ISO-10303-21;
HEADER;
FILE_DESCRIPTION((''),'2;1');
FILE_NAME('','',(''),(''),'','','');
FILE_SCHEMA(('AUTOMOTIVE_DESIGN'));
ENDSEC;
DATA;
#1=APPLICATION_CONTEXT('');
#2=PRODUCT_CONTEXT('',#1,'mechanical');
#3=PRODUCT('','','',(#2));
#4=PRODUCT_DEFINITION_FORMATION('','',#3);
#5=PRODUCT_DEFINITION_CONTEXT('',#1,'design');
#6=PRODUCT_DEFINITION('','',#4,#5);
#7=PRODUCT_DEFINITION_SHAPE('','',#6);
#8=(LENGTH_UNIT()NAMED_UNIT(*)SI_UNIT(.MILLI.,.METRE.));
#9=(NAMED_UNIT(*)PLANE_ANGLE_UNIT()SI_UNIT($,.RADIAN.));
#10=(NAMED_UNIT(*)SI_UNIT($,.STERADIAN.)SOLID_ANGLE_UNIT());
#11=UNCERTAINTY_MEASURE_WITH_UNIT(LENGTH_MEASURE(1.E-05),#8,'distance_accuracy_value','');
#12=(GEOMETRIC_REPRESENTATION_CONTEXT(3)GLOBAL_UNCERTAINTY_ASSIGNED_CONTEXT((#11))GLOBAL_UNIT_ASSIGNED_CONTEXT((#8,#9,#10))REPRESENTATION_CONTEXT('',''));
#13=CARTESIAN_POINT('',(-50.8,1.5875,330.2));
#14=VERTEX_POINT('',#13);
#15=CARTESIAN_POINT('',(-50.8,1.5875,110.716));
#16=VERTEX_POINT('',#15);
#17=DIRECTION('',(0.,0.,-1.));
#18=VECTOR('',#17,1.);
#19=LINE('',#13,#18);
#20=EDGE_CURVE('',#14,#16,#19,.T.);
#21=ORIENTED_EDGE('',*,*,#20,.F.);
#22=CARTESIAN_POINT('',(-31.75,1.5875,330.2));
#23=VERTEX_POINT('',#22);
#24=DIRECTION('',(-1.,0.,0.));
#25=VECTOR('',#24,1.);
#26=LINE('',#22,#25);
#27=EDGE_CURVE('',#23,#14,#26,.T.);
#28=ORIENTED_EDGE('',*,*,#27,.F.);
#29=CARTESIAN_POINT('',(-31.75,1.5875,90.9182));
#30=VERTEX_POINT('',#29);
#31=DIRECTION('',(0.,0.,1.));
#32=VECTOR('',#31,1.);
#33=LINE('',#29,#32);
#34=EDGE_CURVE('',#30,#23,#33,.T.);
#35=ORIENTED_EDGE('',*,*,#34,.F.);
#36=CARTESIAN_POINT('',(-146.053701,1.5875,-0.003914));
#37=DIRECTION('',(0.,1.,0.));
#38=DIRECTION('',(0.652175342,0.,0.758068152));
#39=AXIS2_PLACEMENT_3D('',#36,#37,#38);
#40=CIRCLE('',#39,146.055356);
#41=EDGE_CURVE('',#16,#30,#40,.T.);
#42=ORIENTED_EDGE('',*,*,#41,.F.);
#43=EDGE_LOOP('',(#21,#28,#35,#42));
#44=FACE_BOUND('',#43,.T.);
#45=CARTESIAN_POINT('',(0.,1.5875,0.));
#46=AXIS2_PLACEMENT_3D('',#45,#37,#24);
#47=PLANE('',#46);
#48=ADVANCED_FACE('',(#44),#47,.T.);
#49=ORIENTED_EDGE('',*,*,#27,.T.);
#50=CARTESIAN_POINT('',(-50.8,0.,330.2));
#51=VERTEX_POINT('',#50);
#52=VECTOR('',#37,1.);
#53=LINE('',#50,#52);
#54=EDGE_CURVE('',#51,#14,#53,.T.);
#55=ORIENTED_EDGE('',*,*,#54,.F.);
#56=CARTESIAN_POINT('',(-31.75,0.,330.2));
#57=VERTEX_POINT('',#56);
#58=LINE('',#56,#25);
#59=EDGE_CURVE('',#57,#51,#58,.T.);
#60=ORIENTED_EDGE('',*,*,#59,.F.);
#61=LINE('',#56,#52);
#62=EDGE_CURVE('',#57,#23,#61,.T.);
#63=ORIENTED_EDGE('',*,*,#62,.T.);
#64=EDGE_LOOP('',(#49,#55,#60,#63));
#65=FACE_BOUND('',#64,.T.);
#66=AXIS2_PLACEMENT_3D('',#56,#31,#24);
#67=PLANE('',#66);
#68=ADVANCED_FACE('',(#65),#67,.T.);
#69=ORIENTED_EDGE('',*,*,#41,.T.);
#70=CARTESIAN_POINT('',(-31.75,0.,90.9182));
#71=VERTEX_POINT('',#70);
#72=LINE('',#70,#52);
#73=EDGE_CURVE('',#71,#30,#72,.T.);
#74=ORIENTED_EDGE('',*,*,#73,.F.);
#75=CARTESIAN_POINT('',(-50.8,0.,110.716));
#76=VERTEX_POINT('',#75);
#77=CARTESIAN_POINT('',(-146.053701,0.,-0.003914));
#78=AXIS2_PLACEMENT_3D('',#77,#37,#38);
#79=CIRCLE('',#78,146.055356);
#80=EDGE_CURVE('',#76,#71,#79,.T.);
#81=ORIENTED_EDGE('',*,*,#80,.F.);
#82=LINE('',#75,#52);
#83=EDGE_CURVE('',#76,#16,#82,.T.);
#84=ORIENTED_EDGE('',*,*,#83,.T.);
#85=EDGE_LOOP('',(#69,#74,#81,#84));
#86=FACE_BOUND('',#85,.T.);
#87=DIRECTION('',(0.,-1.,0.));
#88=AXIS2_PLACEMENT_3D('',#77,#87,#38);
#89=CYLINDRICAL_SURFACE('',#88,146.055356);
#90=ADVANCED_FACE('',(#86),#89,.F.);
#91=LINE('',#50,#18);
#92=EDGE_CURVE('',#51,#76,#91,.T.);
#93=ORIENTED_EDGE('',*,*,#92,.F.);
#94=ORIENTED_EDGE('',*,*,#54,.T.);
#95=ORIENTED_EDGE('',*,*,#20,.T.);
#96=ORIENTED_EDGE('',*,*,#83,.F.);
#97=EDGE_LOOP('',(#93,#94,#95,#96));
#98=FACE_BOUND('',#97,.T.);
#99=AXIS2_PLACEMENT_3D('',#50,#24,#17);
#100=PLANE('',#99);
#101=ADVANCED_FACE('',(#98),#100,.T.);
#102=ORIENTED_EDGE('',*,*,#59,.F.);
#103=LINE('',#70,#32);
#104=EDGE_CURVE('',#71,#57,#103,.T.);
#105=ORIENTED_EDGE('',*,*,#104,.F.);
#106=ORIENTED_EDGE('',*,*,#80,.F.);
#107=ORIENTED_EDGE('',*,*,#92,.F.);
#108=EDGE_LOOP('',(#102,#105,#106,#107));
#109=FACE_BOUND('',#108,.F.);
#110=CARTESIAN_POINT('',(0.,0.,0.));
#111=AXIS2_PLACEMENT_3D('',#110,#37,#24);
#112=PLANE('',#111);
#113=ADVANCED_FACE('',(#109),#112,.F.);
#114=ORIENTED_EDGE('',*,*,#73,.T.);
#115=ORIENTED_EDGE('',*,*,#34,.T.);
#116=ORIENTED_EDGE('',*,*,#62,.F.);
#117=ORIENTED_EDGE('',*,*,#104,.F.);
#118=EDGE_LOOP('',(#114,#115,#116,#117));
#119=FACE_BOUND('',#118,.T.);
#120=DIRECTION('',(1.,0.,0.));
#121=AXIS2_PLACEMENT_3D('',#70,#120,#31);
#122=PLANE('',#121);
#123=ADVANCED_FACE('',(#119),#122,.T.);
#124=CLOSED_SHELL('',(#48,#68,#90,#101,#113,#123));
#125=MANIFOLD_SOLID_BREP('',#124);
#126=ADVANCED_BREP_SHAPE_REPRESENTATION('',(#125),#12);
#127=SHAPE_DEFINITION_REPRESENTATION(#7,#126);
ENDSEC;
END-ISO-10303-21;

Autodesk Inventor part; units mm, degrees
ref_plane "YZ Plane" through (0, 0, 0) normal (1, 0, 0) x (0, 1, 0)
ref_plane "XZ Plane" through (0, 0, 0) normal (0, 1, 0) x (-1, 0, 0)
ref_plane "XY Plane" through (0, 0, 0) normal (0, 0, 1) x (1, 0, 0)
sketch "Sketch1" plane through (0, 0, 0) normal (0, 1, 0) x (-1, 0, 0)
  line L0 (0, 0) -> (0, 330.2) construction
  line L1 (0, 330.2) -> (330.2, 330.2) construction
  line L2 (330.2, 330.2) -> (330.2, 0) construction
  line L3 (330.2, 0) -> (0, 0) construction
  circle A0 centre (146.05, 0) radius 146.05 construction
  line L4 (31.75, 90.9182) -> (31.75, 330.2)
  line L5 (31.75, 330.2) -> (50.8, 330.2)
  line L6 (50.8, 330.2) -> (50.8, 110.716)
  arc A1 (50.8, 110.716) -> (31.75, 90.9182) centre (146.05, 0) ccw
  dimension "d0" = 292.1
  dimension "d1" = 330.2
  dimension "d2" = 330.2
  dimension "d3" = 19.05
  dimension "d7" = 31.75
extrude "Extrusion1" add sketch "Sketch1" along normal blind 1.5875
properties part number "Hopper Teflon Strip P1"
